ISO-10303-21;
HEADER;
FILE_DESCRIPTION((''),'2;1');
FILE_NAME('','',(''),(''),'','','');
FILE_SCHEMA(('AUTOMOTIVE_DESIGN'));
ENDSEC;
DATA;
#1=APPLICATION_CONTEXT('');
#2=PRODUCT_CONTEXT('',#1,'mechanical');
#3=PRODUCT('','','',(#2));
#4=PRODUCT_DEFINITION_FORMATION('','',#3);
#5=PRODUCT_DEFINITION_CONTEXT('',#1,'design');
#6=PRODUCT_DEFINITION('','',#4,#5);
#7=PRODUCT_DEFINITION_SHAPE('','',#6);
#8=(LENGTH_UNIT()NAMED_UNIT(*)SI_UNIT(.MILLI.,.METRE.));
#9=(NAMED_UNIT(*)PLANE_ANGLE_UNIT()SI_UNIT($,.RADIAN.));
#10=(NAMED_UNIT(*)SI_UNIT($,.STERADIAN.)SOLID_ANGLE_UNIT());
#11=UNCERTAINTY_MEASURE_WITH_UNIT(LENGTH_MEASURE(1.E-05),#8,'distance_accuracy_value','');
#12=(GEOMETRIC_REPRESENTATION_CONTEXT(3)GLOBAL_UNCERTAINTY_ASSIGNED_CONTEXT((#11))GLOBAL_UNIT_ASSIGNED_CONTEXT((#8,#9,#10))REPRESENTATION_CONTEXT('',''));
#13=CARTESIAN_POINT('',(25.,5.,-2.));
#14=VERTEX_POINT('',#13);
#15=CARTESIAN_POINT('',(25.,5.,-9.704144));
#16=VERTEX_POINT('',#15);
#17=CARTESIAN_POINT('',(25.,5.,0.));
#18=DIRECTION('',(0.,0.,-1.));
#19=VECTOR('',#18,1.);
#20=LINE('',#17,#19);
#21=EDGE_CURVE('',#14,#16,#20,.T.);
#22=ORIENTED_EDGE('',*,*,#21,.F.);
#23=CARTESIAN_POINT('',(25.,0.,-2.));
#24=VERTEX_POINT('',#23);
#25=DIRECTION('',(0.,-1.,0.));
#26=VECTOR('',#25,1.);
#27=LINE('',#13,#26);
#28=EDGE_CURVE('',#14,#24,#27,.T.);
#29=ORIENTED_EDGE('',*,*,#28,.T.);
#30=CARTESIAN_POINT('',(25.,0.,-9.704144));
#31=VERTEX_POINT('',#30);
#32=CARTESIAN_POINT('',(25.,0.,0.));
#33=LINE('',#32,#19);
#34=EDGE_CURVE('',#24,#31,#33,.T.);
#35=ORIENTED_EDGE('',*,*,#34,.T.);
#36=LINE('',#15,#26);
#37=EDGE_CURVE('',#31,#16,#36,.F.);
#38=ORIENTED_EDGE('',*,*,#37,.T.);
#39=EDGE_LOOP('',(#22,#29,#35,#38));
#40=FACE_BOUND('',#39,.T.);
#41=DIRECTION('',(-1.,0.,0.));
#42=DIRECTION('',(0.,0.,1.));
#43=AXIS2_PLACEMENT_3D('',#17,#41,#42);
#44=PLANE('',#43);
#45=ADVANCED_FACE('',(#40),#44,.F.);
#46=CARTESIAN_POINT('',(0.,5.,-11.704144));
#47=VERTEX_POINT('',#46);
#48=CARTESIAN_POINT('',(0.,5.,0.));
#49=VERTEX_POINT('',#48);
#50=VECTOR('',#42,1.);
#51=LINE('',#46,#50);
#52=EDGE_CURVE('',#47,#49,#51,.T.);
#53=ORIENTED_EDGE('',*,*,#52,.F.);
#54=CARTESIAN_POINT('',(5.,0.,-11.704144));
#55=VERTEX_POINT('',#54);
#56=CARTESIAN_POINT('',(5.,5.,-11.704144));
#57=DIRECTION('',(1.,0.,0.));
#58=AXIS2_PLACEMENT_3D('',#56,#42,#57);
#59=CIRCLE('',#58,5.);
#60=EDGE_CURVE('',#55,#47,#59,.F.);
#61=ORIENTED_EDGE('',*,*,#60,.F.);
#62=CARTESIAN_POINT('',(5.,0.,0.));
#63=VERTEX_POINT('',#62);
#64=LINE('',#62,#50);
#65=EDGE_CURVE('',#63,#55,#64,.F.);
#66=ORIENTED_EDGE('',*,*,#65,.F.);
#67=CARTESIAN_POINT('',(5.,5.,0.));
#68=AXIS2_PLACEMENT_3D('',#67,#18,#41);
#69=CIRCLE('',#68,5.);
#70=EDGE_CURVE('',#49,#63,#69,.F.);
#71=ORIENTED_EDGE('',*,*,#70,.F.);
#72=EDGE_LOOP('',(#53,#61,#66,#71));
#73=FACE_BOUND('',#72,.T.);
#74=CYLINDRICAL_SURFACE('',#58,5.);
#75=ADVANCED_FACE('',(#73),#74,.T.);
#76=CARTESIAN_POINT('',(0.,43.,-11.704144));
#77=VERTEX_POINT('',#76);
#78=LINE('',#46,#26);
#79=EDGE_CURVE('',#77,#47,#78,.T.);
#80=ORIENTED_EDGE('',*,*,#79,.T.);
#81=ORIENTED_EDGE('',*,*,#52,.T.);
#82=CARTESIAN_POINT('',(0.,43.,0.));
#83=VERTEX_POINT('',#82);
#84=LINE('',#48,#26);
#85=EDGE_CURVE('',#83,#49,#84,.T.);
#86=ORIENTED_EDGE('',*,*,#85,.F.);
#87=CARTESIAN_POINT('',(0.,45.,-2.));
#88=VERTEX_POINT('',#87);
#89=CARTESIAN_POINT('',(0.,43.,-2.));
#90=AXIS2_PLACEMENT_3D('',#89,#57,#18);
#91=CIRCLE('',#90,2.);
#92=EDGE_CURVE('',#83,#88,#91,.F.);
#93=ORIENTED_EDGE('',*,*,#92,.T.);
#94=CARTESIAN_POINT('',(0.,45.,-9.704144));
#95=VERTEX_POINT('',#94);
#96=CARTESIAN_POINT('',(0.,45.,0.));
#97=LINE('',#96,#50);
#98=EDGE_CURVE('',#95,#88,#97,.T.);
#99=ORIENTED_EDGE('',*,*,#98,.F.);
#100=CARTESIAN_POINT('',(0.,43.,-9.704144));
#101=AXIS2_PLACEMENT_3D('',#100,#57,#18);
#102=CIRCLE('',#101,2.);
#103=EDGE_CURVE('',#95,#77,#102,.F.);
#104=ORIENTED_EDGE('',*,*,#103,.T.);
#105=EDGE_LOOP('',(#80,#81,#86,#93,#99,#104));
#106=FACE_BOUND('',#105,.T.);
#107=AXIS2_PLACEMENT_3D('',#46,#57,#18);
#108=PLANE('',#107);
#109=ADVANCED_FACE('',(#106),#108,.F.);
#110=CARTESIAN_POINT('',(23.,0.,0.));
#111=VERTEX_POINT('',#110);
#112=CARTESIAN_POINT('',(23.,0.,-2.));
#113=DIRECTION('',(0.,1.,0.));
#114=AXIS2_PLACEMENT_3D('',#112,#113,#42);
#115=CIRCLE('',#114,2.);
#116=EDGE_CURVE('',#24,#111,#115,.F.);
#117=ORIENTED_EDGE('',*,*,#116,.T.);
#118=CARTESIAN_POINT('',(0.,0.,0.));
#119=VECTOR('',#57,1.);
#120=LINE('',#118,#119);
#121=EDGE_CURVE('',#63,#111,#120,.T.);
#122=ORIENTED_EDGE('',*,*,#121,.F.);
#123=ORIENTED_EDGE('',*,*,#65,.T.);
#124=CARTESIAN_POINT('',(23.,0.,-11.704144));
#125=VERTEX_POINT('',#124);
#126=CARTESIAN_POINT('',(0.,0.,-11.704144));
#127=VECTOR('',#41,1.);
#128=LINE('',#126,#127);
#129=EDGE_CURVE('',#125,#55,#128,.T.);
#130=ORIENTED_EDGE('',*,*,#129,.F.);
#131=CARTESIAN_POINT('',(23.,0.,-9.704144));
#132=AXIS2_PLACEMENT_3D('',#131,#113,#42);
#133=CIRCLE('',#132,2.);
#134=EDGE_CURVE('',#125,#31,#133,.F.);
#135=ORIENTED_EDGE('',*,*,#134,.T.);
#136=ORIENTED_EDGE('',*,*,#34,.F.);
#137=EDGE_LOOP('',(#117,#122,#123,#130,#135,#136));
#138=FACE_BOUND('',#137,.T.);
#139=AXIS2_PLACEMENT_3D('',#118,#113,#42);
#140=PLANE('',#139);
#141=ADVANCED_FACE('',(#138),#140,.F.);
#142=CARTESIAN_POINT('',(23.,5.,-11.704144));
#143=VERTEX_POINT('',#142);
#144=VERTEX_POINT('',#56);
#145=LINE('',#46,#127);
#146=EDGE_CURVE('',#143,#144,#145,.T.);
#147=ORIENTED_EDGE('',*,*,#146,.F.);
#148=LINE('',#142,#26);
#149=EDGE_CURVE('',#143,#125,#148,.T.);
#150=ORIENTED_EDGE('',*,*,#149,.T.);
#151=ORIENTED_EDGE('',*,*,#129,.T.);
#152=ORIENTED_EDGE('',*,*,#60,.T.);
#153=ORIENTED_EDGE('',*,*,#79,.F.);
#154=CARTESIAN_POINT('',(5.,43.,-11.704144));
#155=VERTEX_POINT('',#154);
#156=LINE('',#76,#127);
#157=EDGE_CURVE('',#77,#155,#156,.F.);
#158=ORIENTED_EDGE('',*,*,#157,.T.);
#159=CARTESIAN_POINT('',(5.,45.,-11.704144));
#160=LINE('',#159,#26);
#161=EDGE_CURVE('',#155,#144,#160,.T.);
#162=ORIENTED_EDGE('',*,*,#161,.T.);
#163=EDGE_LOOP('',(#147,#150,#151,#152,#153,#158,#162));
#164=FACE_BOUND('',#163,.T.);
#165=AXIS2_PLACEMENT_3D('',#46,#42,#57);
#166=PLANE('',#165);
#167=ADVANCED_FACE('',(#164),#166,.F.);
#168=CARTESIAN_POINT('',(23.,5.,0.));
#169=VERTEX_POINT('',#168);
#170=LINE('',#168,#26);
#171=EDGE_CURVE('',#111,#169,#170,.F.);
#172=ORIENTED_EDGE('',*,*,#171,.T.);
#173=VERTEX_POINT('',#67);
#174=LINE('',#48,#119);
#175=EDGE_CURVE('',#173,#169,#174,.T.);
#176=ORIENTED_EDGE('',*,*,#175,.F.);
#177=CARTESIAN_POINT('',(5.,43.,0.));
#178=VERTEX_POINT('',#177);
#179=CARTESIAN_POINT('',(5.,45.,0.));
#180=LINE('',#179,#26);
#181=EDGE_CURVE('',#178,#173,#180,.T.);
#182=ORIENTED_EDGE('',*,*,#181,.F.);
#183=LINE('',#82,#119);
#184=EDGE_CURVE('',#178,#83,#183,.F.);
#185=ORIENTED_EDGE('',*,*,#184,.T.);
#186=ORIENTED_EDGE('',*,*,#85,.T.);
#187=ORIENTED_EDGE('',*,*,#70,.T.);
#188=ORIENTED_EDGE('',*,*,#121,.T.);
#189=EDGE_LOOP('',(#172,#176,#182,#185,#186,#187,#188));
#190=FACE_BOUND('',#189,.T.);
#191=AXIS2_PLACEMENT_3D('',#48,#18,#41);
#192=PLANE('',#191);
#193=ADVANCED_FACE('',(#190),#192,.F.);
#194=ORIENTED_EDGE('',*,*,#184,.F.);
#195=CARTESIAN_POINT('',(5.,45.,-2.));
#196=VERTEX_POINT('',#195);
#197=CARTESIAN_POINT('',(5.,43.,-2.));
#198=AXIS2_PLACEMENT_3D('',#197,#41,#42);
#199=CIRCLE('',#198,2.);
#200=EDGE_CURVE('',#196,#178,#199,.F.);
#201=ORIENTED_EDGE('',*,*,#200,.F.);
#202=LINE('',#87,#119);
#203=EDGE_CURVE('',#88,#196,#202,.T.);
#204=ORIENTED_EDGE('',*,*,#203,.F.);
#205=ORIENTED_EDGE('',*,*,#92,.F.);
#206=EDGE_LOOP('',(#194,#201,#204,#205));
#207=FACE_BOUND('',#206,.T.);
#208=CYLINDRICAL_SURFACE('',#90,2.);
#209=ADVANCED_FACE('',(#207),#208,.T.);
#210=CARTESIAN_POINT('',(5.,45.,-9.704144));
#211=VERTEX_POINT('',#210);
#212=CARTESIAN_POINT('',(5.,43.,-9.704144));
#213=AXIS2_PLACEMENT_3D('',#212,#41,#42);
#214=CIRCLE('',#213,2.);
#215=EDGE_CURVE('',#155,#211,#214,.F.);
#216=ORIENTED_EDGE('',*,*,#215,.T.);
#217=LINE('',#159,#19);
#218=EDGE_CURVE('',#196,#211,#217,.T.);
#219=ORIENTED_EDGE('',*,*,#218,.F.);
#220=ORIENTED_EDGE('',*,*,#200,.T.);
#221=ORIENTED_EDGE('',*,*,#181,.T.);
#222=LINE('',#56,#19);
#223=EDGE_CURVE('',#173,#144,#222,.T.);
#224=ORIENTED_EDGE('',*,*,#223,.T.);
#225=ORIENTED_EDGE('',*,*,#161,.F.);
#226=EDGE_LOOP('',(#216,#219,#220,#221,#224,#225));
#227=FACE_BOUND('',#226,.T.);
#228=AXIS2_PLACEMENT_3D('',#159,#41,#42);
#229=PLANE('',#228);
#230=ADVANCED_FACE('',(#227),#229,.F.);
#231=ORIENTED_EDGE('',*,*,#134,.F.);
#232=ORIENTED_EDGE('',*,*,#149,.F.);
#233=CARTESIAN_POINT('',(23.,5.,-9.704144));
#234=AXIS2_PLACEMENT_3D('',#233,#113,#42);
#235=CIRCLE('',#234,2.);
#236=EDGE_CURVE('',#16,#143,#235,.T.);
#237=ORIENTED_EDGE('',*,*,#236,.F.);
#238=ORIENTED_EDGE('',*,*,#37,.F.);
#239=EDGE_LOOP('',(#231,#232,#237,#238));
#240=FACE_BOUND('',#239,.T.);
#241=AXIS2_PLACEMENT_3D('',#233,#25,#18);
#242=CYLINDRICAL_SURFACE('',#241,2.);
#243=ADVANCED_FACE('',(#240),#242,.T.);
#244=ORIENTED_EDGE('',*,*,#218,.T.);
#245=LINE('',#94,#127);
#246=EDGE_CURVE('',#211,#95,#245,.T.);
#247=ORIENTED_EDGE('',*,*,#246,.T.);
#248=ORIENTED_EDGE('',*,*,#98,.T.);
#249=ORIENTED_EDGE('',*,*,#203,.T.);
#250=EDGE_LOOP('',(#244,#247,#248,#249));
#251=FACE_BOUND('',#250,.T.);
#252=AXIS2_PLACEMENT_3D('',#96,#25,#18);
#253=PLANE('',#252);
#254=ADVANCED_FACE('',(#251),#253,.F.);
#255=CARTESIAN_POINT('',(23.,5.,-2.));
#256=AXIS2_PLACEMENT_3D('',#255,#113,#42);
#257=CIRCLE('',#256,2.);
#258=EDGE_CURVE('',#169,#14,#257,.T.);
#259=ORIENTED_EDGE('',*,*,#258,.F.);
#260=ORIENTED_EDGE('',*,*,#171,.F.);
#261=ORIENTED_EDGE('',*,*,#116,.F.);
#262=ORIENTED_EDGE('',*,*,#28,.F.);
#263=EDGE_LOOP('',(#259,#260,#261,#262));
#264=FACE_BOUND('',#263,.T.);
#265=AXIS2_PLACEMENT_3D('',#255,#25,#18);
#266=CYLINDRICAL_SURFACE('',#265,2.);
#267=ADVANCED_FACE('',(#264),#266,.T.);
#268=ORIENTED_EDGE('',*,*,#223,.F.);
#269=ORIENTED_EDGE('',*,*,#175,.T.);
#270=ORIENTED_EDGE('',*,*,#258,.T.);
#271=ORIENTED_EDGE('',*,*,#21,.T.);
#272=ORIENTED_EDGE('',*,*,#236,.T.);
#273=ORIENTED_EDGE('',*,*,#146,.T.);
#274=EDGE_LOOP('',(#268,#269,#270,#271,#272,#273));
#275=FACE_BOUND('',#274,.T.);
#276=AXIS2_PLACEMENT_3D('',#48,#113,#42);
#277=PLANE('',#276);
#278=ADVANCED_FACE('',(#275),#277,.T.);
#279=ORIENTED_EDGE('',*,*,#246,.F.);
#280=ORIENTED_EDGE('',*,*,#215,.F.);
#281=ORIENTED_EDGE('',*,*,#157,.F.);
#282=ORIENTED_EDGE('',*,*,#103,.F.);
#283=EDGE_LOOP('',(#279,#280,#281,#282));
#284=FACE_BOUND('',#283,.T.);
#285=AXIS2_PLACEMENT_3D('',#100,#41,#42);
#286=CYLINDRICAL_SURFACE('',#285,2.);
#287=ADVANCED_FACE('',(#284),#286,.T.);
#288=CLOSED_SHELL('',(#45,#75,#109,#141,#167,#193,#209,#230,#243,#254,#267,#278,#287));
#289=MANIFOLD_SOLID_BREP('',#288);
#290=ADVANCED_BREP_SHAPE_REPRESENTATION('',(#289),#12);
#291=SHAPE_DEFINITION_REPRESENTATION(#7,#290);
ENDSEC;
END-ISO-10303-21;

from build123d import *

# Parameters (mm, degrees)
SKETCH1_W           = 25
SKETCH1_H           = 11.704143749
BOSS_EXTRUDE1_DEPTH = 5
SKETCH2_W           = 5
SKETCH2_H           = 11.704143749
BOSS_EXTRUDE2_DEPTH = 40
FILLET1_R           = 5
FILLET2_R           = 2


with BuildPart() as part:
    # Sketch1 → Boss-Extrude1 (new body)
    with BuildSketch(Plane(origin=(0, 0, 0), x_dir=(1, 0, 0), z_dir=(0, 1, 0))):
        with Locations((12.5, 5.852071874)):
            Rectangle(SKETCH1_W, SKETCH1_H)
    extrude(amount=BOSS_EXTRUDE1_DEPTH)

    # Sketch2 → Boss-Extrude2 (add)
    with BuildSketch(Plane(origin=(0, 5, 0), x_dir=(1, 0, 0), z_dir=(0, 1, 0))):
        with Locations((2.5, 5.852071874)):
            Rectangle(SKETCH2_W, SKETCH2_H)
    extrude(amount=BOSS_EXTRUDE2_DEPTH)

    # Fillet1
    fillet1_edges = [part.edges().sort_by_distance(p)[0] for p in [
        (0, 0, -5.852071875),
    ]]
    fillet(fillet1_edges, radius=FILLET1_R)

    # Fillet2
    fillet2_edges = [part.edges().sort_by_distance(p)[0] for p in [
        (2.5, 45, 0),
        (2.5, 45, -11.704143749),
        (25, 2.5, -11.704143749),
        (25, 2.5, 0),
    ]]
    fillet(fillet2_edges, radius=FILLET2_R)


solid = part.part
